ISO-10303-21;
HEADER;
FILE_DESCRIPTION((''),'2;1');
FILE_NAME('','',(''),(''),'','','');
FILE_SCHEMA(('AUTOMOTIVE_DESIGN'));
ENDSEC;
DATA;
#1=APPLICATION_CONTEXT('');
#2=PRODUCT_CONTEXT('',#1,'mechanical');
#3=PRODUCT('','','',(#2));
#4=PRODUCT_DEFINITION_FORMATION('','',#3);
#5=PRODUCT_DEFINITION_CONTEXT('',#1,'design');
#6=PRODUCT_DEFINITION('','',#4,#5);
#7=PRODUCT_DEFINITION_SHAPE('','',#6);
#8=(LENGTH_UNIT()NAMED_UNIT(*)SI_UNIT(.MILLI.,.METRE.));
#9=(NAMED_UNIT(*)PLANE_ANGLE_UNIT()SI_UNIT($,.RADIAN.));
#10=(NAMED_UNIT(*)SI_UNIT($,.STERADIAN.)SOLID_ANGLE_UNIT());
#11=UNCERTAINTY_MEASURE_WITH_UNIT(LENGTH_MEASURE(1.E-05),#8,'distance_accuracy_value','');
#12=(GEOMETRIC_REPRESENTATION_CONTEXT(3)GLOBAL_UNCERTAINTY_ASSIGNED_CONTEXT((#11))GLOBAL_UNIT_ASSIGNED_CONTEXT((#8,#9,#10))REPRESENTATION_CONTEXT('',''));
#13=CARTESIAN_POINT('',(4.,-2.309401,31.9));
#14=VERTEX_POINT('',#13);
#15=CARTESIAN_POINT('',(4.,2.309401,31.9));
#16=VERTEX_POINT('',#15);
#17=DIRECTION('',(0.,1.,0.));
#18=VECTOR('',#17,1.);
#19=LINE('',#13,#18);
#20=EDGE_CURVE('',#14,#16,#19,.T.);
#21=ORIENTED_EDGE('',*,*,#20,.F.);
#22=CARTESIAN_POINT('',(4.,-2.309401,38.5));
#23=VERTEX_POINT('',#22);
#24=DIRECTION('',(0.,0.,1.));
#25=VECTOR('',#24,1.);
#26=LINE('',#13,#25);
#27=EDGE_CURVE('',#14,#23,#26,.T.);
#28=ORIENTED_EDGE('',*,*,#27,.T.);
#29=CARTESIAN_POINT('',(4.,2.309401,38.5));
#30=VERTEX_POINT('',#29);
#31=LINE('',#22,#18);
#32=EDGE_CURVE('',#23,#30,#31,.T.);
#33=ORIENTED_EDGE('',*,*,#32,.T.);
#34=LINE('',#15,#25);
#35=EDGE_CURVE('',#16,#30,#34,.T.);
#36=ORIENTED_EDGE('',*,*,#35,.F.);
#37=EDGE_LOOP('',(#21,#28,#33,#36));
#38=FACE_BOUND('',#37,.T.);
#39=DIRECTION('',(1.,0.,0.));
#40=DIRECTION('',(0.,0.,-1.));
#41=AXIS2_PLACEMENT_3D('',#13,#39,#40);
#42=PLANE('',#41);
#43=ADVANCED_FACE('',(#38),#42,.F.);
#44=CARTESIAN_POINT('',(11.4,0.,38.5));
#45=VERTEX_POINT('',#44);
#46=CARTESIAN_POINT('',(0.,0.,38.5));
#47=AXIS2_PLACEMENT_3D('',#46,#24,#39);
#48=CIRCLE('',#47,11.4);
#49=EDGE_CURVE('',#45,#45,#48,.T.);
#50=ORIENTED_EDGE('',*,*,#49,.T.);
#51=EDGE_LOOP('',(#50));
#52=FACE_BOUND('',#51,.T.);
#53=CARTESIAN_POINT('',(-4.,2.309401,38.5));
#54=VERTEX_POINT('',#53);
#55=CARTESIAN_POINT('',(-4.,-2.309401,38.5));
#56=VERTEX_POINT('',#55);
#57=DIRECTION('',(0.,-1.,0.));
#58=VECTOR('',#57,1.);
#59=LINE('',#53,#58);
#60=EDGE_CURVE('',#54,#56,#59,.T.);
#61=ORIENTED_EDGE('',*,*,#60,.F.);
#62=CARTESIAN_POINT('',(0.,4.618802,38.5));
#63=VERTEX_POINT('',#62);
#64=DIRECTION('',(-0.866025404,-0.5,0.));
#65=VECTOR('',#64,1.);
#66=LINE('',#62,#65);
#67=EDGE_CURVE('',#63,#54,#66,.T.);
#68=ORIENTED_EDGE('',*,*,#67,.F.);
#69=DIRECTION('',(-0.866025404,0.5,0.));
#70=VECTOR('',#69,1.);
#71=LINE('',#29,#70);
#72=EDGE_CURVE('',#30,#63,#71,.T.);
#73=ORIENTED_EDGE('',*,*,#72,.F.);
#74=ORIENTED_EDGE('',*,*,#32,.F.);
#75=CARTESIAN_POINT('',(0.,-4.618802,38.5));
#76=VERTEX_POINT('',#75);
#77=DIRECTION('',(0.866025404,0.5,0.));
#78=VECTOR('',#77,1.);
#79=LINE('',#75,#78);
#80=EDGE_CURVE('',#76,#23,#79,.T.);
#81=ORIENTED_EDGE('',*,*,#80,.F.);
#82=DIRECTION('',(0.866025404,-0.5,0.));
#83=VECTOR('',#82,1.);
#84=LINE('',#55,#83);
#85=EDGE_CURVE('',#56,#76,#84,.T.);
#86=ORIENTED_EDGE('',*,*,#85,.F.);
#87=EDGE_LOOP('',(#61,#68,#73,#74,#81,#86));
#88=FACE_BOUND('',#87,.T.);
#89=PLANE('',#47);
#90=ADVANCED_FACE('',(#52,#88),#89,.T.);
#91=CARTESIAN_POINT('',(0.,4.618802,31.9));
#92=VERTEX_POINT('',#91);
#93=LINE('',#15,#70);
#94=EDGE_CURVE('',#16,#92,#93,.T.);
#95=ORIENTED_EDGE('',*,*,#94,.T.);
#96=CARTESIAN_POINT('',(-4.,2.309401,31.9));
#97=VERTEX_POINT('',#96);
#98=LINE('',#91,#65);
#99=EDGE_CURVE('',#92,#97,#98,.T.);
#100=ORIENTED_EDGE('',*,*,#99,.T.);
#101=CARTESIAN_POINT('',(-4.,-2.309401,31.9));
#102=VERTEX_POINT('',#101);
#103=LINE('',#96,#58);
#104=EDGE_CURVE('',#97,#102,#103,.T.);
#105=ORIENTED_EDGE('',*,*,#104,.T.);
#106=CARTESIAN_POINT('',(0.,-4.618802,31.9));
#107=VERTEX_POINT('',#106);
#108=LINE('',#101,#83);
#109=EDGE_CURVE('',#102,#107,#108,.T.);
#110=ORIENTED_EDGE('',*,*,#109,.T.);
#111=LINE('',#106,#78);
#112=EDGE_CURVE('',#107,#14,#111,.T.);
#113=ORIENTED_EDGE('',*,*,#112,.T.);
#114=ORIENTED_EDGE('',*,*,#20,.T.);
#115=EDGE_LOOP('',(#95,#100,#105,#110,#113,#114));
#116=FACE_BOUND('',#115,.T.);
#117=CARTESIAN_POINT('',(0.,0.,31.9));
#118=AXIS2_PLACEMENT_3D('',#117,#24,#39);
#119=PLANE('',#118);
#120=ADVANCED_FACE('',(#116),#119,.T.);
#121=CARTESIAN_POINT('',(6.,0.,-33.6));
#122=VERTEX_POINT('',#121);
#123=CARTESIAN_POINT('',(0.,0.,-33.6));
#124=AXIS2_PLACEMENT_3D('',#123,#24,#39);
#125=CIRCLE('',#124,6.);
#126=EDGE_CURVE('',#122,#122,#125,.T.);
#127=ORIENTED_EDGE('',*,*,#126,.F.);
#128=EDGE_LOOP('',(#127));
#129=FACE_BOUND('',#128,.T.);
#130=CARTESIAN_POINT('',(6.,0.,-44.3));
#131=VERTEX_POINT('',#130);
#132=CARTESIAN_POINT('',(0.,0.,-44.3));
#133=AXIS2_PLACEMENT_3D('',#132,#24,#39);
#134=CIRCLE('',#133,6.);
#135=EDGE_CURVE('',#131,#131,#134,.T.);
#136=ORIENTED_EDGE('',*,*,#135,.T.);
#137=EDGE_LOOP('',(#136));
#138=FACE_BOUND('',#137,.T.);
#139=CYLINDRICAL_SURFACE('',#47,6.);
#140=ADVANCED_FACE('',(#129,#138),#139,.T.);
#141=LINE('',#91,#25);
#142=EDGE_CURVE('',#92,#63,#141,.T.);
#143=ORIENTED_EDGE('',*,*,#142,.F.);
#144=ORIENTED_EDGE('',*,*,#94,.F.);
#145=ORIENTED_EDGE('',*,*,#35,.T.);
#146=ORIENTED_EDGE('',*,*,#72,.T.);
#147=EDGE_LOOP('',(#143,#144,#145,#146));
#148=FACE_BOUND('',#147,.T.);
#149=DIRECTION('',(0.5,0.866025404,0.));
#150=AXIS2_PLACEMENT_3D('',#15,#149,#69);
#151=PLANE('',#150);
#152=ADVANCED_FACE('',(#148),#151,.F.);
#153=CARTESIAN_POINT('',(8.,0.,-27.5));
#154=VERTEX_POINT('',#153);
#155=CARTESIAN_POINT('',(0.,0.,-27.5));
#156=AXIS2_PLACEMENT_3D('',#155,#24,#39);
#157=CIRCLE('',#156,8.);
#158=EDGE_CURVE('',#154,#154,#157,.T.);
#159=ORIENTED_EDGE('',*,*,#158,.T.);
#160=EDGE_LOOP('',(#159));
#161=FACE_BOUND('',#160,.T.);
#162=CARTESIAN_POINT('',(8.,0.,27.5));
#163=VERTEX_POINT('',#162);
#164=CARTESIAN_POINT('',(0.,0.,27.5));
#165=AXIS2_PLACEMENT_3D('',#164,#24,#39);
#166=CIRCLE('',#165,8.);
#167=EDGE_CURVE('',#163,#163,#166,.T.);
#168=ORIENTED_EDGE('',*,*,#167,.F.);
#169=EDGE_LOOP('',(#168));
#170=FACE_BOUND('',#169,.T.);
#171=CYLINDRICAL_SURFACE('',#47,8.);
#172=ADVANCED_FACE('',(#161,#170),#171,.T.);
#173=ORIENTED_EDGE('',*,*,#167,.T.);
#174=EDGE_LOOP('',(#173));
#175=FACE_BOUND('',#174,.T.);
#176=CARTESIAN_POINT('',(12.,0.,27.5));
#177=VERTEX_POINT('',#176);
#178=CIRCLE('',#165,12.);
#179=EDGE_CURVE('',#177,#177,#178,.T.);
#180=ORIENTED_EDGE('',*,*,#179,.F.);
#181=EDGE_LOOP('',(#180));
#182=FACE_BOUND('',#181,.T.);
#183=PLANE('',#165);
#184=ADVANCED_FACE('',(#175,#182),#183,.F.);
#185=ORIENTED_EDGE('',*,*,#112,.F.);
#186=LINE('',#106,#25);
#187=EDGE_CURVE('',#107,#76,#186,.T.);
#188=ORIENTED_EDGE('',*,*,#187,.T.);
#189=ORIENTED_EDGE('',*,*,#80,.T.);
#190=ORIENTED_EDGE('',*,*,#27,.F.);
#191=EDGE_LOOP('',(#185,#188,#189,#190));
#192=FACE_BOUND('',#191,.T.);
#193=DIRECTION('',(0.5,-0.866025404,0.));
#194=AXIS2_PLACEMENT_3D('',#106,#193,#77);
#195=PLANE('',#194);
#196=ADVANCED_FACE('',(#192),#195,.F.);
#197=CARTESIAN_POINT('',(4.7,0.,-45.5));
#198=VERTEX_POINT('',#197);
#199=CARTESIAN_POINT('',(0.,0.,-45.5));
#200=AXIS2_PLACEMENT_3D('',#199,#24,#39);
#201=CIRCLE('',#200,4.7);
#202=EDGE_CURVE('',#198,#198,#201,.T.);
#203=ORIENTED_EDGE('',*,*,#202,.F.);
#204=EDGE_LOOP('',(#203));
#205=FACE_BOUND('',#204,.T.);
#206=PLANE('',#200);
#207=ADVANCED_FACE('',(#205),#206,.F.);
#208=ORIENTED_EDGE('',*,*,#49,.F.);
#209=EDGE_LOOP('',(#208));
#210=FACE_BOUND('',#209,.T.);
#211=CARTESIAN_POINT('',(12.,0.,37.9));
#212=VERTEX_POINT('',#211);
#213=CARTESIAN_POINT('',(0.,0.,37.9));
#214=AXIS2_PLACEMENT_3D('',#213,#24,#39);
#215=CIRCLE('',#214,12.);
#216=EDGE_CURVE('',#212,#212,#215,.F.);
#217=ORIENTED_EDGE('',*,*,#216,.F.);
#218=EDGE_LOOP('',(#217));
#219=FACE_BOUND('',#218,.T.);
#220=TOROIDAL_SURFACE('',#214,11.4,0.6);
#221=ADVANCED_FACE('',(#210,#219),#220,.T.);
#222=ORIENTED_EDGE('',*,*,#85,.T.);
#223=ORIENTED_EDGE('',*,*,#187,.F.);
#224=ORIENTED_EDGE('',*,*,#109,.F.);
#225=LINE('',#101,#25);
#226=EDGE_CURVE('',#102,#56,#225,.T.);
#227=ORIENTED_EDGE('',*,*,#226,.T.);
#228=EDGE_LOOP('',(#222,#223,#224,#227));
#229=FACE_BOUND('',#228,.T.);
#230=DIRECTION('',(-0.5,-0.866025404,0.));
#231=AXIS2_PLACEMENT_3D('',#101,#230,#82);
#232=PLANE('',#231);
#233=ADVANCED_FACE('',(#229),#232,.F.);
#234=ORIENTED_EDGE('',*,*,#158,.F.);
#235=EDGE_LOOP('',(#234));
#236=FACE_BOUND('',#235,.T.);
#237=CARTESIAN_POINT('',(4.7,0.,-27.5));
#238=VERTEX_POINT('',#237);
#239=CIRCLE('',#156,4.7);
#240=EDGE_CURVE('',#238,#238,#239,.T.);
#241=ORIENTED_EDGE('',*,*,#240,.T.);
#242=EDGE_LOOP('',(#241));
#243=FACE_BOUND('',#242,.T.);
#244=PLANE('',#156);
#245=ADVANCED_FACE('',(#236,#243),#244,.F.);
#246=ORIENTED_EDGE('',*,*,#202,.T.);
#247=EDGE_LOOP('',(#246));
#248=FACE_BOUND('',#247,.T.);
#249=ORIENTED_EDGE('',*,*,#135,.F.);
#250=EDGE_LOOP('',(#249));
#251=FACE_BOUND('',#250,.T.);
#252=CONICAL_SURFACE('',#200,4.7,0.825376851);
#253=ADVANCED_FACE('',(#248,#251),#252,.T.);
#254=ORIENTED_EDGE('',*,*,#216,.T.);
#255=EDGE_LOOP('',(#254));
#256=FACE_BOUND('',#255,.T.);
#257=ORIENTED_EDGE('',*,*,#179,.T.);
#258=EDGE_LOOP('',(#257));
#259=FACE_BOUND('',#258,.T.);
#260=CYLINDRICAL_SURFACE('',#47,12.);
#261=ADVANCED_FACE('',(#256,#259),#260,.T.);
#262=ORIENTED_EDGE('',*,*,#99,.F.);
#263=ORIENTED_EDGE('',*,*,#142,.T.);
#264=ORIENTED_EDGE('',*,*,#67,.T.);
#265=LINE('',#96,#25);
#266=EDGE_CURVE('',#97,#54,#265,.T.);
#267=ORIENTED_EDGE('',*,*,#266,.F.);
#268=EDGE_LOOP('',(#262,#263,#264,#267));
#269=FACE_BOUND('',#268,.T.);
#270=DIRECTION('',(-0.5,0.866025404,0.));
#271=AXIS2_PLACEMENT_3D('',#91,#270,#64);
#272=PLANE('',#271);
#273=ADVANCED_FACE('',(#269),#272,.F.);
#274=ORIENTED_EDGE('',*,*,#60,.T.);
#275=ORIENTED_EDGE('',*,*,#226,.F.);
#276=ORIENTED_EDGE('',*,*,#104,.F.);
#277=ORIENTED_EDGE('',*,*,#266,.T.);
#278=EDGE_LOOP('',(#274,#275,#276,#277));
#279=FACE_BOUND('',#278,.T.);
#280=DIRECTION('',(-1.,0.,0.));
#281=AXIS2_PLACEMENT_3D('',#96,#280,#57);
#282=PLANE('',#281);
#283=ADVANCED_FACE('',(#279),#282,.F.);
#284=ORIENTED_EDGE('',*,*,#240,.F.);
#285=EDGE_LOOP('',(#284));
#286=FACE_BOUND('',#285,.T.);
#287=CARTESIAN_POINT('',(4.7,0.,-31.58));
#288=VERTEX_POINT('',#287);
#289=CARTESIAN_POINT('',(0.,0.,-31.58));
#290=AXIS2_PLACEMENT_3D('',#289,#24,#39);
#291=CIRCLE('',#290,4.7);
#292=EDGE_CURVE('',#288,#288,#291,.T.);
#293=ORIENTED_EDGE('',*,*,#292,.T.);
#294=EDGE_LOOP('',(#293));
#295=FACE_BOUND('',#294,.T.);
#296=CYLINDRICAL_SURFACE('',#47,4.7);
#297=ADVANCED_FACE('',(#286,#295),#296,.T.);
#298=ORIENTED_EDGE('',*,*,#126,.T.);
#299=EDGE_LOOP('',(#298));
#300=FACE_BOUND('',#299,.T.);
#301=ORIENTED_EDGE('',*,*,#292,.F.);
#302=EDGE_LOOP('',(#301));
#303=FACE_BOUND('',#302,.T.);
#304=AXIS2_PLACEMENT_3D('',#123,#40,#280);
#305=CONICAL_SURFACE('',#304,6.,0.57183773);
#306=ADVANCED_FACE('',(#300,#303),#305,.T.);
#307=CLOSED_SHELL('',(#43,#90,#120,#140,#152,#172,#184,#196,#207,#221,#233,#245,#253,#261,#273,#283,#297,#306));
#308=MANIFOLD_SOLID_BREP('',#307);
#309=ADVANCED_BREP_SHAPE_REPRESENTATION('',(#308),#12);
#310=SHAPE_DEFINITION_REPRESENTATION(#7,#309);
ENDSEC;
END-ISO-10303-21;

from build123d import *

# Parameters (mm, degrees)
SZKIC1_W                   = 4.7
SZKIC1_H                   = 4.08
WYTNIJ_WYCI_GNI_CIE1_DEPTH = 6.6
ZAOKR_GLENIE1_R            = 0.6


with BuildPart() as part:
    # Szkic1 → Obrót1 (revolve)
    with BuildSketch(Plane(origin=(0, 0, 0), x_dir=(1, 0, 0), z_dir=(0, 1, 0)), mode=Mode.PRIVATE) as obr_t1_sk:
        Polygon((0, -38.5), (0, -27.5), (-8, -27.5), (-12, -27.5), (-12, -38.5), align=None)
        Polygon((0, -27.5), (0, 27.5), (-4.7, 27.5), (-8, 27.5), (-8, -27.5), align=None)
        with Locations((-2.35, 29.54)):
            Rectangle(SZKIC1_W, SZKIC1_H)
        Polygon((-4.7, 31.58), (0, 31.58), (0, 45.5), (-4.7, 45.5), (-6, 44.3), (-6, 33.6), align=None)
    revolve(obr_t1_sk.sketch.rotate(Axis((0, 0, 38.5), (0, 0, -1)), 180), axis=Axis((0, 0, 38.5), (0, 0, -1)))

    # Szkic2 → Wytnij-wyciągnięcie1 (cut)
    with BuildSketch(Plane.XY.offset(38.5)):
        Polygon((4, 2.309401077), (0, 4.618802154), (-4, 2.309401077), (-4, -2.309401077), (0, -4.618802154), (4, -2.309401077), align=None)
    extrude(amount=-WYTNIJ_WYCI_GNI_CIE1_DEPTH, mode=Mode.SUBTRACT)

    # Zaokrąglenie1
    zaokr_glenie1_edges = [part.edges().sort_by_distance(p)[0] for p in [
        (-12, 0, 38.5),
    ]]
    fillet(zaokr_glenie1_edges, radius=ZAOKR_GLENIE1_R)


solid = part.part
